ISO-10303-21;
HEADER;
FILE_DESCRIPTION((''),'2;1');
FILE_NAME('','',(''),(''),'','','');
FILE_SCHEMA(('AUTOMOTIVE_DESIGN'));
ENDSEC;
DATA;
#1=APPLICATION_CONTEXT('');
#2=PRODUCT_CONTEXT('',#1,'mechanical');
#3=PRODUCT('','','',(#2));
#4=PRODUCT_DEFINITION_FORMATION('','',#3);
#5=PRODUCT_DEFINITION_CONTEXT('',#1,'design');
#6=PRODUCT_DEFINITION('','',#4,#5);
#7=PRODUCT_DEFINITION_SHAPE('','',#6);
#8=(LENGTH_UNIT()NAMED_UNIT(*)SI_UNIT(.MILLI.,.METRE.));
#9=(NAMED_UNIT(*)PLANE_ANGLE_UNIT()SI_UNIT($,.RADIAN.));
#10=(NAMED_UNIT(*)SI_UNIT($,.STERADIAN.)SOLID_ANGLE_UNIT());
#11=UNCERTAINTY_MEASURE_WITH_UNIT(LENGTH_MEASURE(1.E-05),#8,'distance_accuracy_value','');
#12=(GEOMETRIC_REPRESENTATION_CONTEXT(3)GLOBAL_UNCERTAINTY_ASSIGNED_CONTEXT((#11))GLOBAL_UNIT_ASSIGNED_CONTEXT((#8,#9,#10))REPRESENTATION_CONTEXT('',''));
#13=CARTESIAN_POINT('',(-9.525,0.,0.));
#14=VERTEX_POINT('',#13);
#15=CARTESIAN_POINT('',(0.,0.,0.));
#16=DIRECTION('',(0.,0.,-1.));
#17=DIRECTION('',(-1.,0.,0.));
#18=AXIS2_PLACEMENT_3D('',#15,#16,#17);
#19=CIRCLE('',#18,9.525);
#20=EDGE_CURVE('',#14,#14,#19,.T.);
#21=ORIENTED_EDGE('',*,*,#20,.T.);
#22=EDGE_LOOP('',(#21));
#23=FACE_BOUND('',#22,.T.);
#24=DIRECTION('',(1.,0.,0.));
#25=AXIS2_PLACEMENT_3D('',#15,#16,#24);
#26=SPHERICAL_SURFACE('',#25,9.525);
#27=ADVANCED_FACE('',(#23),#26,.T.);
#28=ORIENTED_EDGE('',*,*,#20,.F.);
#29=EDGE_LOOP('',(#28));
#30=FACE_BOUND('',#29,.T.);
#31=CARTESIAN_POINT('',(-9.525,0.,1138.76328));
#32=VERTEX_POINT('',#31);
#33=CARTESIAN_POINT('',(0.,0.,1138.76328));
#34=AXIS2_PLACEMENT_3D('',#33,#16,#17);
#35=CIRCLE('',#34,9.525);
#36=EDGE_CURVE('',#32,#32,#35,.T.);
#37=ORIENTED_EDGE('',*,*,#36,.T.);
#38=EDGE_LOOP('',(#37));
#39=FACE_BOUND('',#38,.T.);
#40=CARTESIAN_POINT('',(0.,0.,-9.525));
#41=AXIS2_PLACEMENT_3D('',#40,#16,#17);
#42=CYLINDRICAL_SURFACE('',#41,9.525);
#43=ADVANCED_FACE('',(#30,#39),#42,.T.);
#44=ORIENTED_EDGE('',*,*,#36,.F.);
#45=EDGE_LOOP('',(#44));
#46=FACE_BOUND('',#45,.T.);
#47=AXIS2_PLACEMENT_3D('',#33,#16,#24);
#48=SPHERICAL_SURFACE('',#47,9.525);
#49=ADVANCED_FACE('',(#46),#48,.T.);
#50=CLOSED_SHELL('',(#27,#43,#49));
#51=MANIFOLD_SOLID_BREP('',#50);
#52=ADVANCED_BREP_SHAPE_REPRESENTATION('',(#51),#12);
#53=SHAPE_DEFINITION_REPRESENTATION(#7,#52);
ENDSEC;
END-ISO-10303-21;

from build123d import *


with BuildPart() as part:
    # Sketch1 → Revolve1 (revolve)
    with BuildSketch(Plane(origin=(0, 0, 0), x_dir=(1, 0, 0), z_dir=(0, 1, 0))):
        with BuildLine():
            Line((9.525, 0), (9.525, -1138.76328))
            ThreePointArc((9.525, -1138.76328), (6.735192091, -1145.498472091), (0, -1148.28828))
            Line((0, -1148.28828), (0, 9.525))
            ThreePointArc((0, 9.525), (6.735192091, 6.735192091), (9.525, 0))
        make_face()
    revolve(axis=Axis((0, 0, -9.525), (0, 0, 1)))


solid = part.part
